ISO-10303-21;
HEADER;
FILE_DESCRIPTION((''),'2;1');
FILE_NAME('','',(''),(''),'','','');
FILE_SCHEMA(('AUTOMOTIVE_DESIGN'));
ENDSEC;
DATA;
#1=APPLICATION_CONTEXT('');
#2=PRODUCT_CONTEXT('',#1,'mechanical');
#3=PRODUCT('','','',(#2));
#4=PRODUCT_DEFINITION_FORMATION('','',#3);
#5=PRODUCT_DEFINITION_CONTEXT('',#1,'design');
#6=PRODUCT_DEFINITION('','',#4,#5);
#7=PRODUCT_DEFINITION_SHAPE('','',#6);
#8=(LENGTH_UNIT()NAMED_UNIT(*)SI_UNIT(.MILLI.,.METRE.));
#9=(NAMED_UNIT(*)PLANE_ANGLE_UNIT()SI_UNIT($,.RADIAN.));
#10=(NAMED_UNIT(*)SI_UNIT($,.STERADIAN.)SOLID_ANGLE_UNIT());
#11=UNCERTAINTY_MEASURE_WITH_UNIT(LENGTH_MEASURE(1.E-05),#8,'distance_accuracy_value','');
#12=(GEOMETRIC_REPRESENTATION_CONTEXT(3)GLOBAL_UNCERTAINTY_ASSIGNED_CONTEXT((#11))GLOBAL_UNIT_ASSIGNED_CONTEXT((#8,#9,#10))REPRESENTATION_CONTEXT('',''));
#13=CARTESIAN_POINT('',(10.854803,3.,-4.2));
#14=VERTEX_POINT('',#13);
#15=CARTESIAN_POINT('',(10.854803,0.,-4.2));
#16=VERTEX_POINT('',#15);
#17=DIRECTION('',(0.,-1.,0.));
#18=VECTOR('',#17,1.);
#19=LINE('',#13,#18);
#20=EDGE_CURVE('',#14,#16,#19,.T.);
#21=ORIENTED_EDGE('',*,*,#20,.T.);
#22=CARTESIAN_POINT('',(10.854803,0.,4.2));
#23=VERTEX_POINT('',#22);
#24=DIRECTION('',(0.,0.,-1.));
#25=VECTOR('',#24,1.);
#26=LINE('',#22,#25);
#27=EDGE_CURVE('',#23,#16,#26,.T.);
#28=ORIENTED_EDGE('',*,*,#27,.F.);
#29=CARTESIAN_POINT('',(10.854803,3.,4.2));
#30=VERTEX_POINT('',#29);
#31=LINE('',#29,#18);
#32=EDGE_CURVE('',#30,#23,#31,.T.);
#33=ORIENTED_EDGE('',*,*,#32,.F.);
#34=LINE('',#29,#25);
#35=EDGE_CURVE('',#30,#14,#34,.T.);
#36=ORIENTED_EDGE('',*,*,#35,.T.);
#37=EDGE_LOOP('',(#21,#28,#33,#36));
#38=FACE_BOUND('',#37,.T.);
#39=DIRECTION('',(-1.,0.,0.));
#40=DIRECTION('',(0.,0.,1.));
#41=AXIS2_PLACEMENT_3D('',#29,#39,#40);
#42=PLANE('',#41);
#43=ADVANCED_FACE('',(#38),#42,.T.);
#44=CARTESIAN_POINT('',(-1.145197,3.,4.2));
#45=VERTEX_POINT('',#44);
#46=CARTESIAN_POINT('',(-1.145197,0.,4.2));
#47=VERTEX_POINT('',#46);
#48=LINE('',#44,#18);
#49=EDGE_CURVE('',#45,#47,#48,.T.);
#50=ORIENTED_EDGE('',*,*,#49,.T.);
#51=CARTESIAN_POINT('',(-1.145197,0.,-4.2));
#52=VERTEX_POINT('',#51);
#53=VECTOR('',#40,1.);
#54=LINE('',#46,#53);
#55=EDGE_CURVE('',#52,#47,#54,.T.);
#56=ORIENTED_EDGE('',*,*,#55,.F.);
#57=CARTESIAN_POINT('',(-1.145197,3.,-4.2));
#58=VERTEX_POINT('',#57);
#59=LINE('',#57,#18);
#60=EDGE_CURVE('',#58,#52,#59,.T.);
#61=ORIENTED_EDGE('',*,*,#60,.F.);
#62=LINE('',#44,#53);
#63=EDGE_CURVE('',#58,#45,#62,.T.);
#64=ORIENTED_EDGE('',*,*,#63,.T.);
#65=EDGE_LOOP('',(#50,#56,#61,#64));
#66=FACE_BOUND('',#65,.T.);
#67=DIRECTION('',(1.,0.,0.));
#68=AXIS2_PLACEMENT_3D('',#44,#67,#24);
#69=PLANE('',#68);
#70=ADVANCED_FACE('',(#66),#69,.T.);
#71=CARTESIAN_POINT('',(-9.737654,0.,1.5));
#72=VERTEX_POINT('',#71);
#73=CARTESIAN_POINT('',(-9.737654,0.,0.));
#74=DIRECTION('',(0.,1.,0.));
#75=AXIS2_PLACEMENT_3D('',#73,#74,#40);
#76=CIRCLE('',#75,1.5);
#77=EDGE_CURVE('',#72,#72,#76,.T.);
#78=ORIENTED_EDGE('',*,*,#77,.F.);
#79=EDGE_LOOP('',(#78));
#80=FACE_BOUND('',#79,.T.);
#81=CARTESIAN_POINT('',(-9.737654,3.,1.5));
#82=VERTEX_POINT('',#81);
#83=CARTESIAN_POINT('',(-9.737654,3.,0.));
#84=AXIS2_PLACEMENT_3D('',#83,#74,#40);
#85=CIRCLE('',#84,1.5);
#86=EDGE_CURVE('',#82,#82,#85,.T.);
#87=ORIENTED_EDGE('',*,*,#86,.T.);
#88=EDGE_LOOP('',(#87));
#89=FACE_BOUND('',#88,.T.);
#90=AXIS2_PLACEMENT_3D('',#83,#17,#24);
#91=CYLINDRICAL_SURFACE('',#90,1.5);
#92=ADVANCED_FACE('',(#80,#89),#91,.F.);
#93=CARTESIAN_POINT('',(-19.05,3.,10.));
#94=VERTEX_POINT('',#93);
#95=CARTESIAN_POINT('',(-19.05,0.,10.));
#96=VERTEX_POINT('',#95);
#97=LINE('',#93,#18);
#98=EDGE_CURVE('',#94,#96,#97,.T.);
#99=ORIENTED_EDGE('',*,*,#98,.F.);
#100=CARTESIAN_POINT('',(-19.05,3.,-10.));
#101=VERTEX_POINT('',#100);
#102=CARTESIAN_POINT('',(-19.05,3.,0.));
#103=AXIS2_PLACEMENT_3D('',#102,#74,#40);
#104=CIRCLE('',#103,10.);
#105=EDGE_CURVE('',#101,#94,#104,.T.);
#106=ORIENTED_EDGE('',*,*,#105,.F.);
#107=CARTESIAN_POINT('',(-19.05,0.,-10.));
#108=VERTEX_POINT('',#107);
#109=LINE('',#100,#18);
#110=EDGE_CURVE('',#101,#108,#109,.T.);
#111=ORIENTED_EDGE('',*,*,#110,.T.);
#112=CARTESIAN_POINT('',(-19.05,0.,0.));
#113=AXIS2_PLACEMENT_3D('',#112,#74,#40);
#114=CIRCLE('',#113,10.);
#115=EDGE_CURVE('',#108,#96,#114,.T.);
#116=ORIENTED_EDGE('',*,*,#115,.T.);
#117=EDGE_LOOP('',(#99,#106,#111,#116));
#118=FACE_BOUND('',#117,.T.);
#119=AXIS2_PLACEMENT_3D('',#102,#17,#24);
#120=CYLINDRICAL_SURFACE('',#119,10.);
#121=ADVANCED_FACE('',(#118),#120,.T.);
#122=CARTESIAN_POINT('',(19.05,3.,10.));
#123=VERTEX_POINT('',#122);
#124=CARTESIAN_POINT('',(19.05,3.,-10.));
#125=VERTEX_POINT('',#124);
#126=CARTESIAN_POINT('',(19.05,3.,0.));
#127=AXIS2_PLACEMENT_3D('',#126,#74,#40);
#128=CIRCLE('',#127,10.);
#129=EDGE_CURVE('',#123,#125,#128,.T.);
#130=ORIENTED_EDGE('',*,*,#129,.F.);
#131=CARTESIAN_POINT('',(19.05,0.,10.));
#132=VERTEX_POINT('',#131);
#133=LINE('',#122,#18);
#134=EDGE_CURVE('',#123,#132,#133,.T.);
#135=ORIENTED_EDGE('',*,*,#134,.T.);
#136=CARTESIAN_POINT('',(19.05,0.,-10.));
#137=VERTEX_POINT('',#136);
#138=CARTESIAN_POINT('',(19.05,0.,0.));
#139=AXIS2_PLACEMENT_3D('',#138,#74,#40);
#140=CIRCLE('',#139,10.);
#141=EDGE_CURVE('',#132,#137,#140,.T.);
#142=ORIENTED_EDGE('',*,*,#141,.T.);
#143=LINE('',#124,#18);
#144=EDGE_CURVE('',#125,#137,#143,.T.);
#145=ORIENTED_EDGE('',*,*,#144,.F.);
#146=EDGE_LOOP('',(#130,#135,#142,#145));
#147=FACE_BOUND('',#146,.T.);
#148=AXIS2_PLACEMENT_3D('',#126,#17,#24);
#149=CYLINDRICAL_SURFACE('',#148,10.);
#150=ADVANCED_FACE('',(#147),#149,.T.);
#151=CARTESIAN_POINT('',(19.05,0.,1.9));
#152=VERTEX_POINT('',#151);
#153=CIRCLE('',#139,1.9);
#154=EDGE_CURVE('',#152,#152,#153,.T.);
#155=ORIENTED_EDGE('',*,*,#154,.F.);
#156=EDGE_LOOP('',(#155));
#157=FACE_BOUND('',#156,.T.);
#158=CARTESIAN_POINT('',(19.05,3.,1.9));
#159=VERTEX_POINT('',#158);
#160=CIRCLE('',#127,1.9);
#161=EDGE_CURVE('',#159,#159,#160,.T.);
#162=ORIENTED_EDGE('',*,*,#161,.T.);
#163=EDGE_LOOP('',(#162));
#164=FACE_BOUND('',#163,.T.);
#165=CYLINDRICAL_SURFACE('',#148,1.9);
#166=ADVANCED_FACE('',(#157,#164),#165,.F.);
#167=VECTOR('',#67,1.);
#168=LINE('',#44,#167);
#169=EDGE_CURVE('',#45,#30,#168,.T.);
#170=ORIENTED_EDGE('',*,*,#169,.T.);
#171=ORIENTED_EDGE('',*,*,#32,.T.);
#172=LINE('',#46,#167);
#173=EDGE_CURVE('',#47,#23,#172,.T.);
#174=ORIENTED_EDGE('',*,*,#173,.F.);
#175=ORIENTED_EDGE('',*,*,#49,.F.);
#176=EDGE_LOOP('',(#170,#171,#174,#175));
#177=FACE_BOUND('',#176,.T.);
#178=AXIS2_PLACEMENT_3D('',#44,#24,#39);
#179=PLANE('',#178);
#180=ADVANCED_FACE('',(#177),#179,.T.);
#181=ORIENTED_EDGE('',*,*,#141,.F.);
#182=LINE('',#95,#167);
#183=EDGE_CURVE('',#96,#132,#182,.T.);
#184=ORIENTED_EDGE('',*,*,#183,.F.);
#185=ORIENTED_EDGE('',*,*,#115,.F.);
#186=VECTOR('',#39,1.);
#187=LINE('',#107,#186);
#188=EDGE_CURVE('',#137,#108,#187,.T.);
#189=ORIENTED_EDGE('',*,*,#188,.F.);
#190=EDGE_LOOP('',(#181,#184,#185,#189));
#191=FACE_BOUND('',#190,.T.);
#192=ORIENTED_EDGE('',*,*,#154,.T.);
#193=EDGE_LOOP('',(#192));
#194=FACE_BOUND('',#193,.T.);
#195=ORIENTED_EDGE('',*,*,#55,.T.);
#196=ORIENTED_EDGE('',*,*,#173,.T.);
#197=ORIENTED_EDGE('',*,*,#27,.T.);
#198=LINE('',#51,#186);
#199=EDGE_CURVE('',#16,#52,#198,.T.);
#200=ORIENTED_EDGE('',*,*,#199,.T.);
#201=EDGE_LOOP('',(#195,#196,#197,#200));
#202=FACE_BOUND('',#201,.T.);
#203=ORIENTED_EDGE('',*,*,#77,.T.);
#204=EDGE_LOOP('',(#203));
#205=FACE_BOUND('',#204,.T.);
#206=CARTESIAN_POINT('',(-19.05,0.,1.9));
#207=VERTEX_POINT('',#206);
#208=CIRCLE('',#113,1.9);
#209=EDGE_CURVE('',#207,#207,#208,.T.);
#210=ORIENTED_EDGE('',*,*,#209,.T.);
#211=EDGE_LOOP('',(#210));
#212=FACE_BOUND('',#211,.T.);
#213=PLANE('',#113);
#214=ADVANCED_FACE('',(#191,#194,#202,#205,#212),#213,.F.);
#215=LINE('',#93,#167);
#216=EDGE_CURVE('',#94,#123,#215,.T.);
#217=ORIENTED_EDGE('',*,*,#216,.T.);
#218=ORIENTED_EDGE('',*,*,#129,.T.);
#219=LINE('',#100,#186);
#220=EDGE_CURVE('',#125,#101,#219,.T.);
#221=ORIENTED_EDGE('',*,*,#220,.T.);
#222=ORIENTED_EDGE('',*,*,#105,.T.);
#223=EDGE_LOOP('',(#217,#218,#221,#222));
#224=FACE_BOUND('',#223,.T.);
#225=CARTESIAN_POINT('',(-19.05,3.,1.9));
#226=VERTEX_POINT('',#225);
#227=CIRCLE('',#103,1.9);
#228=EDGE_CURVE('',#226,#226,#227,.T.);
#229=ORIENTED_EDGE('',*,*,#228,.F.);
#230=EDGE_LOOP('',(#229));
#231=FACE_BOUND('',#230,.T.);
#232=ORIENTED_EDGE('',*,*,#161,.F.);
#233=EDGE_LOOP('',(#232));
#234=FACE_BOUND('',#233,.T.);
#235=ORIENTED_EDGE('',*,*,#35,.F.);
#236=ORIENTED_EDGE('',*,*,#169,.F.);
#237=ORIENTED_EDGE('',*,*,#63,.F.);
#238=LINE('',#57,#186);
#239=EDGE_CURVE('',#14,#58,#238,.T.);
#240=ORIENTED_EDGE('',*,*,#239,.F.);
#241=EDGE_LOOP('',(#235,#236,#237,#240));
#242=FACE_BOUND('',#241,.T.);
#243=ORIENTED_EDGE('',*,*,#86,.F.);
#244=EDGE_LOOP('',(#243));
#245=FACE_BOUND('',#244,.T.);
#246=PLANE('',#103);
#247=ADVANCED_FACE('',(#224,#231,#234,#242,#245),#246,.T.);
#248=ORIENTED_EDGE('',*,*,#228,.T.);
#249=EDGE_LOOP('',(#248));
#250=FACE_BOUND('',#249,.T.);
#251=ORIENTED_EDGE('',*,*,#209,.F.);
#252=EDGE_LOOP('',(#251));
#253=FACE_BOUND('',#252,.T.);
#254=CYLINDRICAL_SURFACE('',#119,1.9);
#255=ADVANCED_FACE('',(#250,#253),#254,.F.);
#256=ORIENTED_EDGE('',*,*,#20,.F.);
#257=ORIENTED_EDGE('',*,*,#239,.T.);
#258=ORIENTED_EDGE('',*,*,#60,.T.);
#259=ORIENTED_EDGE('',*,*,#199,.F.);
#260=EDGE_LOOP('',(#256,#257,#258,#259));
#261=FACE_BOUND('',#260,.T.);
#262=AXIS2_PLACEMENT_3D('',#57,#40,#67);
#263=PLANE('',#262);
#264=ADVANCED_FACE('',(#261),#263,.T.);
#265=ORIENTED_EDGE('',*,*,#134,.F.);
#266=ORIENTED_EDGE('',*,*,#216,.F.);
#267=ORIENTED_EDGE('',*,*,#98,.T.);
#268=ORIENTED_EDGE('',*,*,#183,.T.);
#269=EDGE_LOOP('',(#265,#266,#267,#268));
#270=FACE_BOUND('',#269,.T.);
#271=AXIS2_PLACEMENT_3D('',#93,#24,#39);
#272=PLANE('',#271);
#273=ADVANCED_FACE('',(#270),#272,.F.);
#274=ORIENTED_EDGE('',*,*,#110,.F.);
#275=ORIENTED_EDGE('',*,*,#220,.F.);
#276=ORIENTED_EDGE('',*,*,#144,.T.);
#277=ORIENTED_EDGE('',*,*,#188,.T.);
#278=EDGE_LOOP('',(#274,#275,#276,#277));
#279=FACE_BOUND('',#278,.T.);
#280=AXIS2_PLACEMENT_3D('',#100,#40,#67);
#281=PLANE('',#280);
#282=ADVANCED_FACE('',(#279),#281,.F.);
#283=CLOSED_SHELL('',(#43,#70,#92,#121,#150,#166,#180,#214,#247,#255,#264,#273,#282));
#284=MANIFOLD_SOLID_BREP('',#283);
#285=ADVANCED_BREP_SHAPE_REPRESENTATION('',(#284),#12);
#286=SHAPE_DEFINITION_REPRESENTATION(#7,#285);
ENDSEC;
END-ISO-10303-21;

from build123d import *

# Parameters (mm, degrees)
SKETCH1_R           = 1.5
SKETCH1_R_2         = 1.9
SKETCH1_W           = 12
SKETCH1_H           = 8.4
BOSS_EXTRUDE1_DEPTH = 3


with BuildPart() as part:
    # Sketch1 → Boss-Extrude1 (new body)
    with BuildSketch(Plane(origin=(0, 0, 0), x_dir=(1, 0, 0), z_dir=(0, 1, 0))):
        with BuildLine():
            Line((-19.05, 10), (19.05, 10))
            ThreePointArc((19.05, 10), (29.05, 0), (19.05, -10))
            Line((19.05, -10), (-19.05, -10))
            ThreePointArc((-19.05, -10), (-29.05, 0), (-19.05, 10))
        make_face()
        with Locations(Location((-9.73765424, 0, 0), (0, 0, 270))):
            Circle(SKETCH1_R, mode=Mode.SUBTRACT)
        with Locations(Location((-19.05, 0, 0), (0, 0, 270))):
            Circle(SKETCH1_R_2, mode=Mode.SUBTRACT)
        with Locations(Location((19.05, 0, 0), (0, 0, 270))):
            Circle(SKETCH1_R_2, mode=Mode.SUBTRACT)
        with Locations((4.854803124, 0)):
            Rectangle(SKETCH1_W, SKETCH1_H, mode=Mode.SUBTRACT)
    extrude(amount=BOSS_EXTRUDE1_DEPTH)


solid = part.part
